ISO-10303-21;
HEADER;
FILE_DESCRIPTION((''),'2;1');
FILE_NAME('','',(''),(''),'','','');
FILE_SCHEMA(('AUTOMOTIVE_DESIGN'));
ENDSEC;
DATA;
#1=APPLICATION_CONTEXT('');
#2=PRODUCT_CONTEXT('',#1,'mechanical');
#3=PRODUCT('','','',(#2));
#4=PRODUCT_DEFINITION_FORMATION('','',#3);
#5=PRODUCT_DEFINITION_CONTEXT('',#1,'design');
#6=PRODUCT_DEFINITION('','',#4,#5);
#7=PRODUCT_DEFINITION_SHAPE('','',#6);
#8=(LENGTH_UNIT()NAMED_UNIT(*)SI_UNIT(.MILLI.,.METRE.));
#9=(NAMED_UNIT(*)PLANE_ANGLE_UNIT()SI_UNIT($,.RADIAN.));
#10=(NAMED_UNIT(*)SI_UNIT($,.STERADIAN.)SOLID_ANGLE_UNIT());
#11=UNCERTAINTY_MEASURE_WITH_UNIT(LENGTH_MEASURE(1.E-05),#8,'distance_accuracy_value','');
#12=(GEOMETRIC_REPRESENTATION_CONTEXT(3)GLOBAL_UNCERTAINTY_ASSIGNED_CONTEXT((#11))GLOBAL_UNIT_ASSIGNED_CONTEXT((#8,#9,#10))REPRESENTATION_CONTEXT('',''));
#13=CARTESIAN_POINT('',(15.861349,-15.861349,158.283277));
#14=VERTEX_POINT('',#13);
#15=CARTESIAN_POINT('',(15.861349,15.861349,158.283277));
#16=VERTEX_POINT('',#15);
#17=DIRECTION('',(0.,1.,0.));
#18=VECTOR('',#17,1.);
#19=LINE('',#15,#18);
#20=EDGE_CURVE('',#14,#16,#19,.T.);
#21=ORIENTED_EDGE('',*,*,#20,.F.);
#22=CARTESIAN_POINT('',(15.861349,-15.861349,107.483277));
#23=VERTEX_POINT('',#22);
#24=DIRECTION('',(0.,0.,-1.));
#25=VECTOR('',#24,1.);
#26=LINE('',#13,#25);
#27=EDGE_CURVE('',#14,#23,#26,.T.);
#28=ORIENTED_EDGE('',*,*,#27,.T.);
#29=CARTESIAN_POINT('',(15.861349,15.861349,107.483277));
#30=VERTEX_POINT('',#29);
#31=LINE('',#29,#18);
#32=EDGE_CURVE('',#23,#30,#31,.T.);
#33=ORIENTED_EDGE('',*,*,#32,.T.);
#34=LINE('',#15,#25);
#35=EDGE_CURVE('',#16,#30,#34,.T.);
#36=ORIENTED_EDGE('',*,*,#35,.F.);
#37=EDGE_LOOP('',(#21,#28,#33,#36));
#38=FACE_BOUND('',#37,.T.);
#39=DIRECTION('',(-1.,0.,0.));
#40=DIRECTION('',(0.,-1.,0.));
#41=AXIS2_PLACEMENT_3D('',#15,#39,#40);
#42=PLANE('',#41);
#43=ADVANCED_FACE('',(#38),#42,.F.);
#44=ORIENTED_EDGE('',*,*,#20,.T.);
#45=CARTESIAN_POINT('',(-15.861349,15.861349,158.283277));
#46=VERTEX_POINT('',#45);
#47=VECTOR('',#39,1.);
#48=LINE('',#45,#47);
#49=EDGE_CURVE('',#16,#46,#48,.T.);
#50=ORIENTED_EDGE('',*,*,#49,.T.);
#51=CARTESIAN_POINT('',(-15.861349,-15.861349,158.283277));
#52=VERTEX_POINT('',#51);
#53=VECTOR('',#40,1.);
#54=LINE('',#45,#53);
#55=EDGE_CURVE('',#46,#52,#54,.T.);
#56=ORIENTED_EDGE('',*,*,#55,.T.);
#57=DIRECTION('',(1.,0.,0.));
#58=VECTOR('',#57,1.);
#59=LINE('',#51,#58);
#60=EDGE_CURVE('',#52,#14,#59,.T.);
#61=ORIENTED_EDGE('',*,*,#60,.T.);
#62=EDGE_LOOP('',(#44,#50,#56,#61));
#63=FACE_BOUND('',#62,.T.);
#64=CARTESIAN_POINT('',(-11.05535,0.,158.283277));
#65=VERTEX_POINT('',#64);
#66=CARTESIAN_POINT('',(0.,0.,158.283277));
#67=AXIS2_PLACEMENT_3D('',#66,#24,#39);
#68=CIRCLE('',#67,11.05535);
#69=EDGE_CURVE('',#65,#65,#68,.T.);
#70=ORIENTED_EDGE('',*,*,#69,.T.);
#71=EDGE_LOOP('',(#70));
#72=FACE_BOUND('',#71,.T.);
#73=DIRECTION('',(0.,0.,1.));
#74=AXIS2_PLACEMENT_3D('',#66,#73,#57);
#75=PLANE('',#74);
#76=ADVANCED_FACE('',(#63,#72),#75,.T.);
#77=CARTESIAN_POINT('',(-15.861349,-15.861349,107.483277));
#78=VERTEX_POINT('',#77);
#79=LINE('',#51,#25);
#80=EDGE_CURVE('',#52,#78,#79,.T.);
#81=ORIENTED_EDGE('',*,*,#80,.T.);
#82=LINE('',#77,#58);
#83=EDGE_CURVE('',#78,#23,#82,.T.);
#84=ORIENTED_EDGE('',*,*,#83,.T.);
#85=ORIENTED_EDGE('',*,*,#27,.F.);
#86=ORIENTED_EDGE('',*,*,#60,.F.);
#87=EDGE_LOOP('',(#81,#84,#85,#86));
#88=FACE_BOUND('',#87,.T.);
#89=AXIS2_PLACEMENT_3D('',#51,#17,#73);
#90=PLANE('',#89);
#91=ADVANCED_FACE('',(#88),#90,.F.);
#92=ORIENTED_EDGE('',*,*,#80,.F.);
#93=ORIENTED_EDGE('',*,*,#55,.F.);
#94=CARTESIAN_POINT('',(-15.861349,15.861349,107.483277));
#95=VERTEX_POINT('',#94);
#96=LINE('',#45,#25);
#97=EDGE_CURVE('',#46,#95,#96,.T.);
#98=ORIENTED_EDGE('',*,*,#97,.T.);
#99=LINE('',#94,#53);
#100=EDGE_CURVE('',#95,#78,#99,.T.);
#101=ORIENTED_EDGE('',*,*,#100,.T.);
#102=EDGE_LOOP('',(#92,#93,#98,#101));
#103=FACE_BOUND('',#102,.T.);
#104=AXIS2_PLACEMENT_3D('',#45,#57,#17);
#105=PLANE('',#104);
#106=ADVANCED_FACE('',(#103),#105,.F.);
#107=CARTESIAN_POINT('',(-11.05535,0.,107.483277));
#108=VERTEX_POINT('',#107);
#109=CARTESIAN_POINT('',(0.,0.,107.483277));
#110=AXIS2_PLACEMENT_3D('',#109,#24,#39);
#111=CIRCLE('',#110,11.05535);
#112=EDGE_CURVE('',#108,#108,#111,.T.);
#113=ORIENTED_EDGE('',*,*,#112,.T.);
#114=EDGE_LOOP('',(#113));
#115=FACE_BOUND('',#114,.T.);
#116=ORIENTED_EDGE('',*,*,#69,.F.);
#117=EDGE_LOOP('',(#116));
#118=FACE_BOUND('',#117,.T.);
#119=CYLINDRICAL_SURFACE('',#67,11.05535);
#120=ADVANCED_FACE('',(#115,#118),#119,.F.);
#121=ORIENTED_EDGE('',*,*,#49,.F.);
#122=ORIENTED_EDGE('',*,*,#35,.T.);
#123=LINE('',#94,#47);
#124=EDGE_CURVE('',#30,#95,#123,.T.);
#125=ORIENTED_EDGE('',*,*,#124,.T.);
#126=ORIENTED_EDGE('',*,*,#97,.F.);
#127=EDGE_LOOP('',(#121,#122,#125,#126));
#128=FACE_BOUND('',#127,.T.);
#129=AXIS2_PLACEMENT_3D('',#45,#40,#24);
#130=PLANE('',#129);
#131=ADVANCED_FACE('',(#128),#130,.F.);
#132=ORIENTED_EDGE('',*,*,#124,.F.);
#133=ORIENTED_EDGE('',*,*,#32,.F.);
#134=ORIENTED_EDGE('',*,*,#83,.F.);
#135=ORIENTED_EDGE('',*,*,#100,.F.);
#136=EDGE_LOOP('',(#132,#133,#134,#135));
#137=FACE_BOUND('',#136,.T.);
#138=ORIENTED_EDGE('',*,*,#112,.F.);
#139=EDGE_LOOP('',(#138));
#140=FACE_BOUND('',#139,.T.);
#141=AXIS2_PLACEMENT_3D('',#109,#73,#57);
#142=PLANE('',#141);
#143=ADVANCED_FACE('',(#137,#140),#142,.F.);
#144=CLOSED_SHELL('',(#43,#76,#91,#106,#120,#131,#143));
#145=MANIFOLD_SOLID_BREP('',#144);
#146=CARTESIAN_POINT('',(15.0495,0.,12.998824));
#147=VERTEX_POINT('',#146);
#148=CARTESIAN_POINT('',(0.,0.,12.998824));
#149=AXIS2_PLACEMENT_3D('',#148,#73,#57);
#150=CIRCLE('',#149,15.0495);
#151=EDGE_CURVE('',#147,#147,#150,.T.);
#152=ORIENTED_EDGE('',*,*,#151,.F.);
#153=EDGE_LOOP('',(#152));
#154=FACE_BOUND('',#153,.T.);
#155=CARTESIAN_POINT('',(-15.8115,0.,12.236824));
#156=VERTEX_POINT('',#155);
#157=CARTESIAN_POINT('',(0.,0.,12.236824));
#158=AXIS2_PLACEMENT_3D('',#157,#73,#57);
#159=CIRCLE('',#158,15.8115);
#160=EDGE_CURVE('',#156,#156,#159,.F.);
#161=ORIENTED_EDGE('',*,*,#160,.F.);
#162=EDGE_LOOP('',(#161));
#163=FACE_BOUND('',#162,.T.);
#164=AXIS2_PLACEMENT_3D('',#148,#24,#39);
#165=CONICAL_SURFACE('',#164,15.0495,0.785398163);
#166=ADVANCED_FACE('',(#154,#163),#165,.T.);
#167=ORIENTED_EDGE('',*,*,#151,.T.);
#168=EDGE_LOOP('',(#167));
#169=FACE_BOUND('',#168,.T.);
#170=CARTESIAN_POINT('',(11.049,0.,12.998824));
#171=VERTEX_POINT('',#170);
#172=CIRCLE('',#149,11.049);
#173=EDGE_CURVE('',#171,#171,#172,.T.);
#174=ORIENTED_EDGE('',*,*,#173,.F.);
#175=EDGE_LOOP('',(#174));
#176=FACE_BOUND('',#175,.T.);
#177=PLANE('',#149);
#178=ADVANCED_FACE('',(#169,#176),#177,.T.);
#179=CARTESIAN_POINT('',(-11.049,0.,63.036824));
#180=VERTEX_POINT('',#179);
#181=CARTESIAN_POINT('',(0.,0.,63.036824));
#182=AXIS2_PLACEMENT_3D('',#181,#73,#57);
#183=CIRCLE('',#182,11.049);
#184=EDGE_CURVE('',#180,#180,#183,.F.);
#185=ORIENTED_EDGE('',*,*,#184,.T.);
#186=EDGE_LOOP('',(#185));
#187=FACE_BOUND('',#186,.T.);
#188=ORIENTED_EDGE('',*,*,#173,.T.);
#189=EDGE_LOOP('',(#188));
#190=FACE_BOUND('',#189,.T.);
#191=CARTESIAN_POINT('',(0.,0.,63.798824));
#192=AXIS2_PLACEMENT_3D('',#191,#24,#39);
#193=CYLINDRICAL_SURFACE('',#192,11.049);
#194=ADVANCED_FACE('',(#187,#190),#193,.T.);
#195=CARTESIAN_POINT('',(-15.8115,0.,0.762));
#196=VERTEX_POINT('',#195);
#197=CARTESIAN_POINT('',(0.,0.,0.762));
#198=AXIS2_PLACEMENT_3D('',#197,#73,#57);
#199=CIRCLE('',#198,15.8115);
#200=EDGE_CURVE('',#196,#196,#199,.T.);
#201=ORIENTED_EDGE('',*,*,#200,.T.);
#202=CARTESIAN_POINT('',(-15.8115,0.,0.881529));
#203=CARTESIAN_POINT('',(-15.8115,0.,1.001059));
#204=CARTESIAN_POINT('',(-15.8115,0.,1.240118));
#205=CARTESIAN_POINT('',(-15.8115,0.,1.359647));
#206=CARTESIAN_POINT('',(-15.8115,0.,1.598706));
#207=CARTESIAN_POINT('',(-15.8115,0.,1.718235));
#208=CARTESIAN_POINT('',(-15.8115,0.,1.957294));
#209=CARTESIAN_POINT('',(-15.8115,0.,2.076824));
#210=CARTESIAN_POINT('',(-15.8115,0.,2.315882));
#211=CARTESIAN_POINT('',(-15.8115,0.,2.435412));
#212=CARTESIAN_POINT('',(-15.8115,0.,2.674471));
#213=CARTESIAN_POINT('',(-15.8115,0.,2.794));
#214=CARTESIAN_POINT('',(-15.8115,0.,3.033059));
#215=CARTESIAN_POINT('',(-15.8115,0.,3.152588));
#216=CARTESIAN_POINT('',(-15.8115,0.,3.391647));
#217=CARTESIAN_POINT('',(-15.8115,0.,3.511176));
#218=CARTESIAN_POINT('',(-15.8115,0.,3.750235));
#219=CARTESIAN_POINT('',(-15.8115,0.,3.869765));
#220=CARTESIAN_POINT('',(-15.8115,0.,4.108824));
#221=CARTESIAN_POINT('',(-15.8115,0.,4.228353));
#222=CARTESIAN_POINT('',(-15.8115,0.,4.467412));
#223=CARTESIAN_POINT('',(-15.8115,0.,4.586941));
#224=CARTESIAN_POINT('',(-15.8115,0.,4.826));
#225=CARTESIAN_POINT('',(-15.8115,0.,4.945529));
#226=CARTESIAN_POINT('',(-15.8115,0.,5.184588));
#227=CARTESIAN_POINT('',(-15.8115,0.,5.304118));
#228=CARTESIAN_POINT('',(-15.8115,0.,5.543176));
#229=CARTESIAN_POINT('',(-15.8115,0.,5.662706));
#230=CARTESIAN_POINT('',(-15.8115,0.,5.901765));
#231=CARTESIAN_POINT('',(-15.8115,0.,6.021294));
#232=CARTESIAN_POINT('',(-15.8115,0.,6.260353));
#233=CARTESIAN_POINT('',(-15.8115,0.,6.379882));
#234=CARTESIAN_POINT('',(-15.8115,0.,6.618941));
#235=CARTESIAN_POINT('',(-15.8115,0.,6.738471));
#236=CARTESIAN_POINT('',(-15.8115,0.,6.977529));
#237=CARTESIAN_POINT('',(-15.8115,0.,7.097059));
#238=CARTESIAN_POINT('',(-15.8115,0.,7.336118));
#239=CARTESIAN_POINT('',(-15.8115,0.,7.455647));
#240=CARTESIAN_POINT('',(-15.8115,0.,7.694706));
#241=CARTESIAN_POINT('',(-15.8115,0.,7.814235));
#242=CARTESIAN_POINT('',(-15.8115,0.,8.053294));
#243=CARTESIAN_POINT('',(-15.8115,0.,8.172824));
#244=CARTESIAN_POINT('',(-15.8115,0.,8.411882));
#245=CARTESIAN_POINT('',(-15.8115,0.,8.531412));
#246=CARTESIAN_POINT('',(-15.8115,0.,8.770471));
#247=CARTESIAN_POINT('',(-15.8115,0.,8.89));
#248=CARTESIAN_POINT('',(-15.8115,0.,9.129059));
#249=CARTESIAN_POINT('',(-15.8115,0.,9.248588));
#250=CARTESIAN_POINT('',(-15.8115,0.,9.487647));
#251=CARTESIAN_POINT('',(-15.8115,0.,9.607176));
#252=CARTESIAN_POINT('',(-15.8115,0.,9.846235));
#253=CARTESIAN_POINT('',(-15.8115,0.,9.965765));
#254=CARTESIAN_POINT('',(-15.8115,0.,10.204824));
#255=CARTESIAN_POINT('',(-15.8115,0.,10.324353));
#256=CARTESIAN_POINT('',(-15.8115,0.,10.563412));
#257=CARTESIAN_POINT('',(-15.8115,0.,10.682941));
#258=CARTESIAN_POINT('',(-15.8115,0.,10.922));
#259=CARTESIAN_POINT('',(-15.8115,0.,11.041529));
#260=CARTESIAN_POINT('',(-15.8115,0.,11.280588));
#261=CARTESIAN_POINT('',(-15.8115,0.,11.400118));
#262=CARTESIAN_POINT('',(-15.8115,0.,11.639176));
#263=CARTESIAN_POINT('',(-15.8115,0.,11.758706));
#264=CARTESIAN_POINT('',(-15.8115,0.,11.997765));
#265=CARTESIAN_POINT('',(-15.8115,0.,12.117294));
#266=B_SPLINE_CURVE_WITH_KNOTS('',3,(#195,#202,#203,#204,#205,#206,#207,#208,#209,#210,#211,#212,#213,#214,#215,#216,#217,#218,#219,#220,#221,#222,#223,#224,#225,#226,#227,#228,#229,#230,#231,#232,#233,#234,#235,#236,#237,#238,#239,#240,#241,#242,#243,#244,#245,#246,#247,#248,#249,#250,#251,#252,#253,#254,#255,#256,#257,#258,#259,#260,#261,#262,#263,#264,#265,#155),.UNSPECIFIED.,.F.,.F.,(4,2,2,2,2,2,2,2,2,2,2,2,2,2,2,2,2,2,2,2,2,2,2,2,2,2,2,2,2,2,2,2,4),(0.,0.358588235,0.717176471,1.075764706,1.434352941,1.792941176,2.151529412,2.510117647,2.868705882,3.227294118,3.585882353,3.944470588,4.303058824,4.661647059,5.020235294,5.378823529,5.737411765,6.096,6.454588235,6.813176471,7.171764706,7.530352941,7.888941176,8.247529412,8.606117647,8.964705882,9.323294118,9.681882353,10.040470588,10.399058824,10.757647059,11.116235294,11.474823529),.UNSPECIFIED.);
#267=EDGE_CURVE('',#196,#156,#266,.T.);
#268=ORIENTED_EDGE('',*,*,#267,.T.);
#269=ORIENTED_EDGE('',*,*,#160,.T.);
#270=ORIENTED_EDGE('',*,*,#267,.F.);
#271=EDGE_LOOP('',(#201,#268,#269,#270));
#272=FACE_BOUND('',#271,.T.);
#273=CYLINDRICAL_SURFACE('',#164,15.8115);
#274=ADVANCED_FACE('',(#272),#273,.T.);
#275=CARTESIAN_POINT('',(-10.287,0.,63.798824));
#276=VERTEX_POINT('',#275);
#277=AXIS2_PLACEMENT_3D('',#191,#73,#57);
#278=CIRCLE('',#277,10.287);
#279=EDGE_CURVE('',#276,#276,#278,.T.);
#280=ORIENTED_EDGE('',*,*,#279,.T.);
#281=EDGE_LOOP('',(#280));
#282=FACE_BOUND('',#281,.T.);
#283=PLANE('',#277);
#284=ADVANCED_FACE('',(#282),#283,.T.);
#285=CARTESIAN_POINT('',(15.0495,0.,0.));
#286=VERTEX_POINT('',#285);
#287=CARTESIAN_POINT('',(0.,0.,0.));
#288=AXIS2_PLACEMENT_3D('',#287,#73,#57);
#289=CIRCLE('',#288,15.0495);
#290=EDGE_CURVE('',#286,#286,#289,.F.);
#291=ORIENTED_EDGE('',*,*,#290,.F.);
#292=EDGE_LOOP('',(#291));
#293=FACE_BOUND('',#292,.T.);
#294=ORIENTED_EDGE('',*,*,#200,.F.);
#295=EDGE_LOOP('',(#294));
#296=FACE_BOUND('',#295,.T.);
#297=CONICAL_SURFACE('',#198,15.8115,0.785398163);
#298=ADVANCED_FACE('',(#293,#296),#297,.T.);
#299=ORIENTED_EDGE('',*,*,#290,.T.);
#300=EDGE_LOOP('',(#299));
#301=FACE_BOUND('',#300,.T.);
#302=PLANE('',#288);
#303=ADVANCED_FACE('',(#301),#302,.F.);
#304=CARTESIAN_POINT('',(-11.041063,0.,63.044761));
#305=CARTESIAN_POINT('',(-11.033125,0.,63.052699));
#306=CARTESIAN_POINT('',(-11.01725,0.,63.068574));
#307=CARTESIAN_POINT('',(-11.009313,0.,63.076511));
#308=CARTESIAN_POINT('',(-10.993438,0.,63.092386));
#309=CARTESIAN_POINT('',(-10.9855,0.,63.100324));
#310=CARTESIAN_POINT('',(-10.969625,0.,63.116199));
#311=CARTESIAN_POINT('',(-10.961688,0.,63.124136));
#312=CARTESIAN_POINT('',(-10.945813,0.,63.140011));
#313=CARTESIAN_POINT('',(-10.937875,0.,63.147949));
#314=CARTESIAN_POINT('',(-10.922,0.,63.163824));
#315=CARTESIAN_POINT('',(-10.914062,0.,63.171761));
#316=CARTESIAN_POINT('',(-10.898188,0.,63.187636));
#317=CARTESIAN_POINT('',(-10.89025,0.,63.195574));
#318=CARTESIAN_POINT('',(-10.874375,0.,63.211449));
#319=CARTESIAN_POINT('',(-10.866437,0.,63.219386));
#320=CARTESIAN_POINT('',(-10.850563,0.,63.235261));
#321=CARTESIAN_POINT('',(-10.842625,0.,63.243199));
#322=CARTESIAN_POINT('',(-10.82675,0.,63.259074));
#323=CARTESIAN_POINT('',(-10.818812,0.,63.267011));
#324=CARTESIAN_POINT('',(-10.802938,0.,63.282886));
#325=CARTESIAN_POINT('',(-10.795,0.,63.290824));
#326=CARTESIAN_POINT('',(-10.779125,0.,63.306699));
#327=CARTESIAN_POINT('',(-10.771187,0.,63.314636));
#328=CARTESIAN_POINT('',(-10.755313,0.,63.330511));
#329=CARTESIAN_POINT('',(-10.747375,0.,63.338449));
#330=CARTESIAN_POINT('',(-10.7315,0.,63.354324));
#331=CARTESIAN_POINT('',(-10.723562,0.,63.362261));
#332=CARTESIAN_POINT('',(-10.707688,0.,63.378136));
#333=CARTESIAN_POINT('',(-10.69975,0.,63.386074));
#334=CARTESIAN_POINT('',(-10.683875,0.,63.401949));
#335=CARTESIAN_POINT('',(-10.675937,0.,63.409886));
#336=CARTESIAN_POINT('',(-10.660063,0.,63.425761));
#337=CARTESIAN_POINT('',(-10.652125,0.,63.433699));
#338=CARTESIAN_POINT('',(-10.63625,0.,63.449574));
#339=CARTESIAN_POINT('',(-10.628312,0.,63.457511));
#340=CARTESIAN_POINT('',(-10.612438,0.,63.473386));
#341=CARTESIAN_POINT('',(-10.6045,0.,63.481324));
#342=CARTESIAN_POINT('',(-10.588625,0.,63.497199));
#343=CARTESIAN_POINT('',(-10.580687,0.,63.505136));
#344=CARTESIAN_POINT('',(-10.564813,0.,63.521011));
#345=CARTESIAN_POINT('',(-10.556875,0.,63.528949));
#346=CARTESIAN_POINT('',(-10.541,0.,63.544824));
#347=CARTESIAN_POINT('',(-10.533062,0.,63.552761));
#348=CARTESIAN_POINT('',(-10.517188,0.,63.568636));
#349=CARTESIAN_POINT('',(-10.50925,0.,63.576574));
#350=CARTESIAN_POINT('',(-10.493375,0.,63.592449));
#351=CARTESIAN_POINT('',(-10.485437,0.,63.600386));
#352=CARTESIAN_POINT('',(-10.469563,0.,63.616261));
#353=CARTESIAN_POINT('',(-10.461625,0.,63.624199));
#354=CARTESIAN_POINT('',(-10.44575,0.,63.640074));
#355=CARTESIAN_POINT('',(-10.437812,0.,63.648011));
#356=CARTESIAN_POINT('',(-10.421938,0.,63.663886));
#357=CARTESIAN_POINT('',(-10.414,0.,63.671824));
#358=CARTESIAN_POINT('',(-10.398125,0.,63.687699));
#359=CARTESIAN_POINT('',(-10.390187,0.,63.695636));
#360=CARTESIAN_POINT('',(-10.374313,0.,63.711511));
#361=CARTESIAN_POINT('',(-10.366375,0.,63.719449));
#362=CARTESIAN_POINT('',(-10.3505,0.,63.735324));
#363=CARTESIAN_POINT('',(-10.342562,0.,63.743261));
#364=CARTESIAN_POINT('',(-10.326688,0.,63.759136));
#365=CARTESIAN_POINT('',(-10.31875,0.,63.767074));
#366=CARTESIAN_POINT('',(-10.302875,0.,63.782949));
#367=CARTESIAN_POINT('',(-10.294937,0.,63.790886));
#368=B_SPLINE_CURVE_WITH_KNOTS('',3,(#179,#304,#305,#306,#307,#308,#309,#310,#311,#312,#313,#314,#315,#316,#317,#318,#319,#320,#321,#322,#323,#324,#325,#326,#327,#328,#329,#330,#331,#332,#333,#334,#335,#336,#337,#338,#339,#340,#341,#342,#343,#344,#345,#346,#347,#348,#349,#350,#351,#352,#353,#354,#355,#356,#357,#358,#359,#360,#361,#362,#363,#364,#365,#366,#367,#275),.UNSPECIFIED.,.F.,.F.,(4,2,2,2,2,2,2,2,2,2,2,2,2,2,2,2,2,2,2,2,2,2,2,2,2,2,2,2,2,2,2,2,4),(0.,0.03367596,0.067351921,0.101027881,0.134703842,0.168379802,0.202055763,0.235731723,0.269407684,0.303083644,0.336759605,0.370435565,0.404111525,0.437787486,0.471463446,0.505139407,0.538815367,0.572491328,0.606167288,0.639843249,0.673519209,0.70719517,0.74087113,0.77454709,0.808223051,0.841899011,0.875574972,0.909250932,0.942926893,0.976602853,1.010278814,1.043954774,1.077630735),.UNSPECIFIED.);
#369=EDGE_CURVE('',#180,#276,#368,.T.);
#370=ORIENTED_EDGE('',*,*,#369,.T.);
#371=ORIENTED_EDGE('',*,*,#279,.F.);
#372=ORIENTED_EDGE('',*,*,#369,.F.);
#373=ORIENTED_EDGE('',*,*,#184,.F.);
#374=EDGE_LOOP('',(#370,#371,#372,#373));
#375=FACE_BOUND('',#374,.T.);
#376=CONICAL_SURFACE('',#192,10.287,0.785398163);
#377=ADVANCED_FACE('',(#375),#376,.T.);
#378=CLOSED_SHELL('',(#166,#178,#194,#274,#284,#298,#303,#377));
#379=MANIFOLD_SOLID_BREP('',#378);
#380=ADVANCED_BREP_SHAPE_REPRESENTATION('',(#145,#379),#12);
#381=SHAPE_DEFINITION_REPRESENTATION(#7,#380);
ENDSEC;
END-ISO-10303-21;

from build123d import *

# Parameters (mm, degrees)
SKETCH1_R           = 15.8115
BOSS_EXTRUDE1_DEPTH = 12.998823529
SKETCH2_R           = 11.049
BOSS_EXTRUDE2_DEPTH = 50.8
SKETCH3_W           = 31.722698392
SKETCH3_H           = 31.722698392
BOSS_EXTRUDE3_DEPTH = 50.8
SKETCH4_R           = 11.05535
CUT_EXTRUDE1_DEPTH  = 110.798996017
CHAMFER1_SIZE       = 0.762


with BuildPart() as part:
    # Sketch1 → Boss-Extrude1 (new body)
    with BuildSketch(Plane.XY):
        with Locations(Location((0, 0, 0), (0, 0, 180))):
            Circle(SKETCH1_R)
    extrude(amount=BOSS_EXTRUDE1_DEPTH)

    # Sketch2 → Boss-Extrude2 (add)
    with BuildSketch(Plane.XY.offset(12.998823529)):
        Circle(SKETCH2_R)
    extrude(amount=BOSS_EXTRUDE2_DEPTH)

    # Chamfer1
    chamfer1_edges = [part.edges().sort_by_distance(p)[0] for p in [
        (15.8115, 0, 0),
        (15.8115, 0, 12.998823529),
        (-11.049, 0, 63.798823529),
    ]]
    chamfer(chamfer1_edges, length=CHAMFER1_SIZE)


with BuildPart() as body_2:
    # Sketch3 → Boss-Extrude3 (new body)
    with BuildSketch(Plane.XY.offset(107.483276511)):
        Rectangle(SKETCH3_W, SKETCH3_H)
    extrude(amount=BOSS_EXTRUDE3_DEPTH)

    # Sketch4 → Cut-Extrude1 (cut, through all)
    with BuildSketch(Plane(origin=(0, 0, 107.483276511), x_dir=(-1, 0, 0), z_dir=(0, 0, -1))):
        Circle(SKETCH4_R)
    extrude(amount=-CUT_EXTRUDE1_DEPTH, mode=Mode.SUBTRACT)


solid = Compound([part.part, body_2.part])
